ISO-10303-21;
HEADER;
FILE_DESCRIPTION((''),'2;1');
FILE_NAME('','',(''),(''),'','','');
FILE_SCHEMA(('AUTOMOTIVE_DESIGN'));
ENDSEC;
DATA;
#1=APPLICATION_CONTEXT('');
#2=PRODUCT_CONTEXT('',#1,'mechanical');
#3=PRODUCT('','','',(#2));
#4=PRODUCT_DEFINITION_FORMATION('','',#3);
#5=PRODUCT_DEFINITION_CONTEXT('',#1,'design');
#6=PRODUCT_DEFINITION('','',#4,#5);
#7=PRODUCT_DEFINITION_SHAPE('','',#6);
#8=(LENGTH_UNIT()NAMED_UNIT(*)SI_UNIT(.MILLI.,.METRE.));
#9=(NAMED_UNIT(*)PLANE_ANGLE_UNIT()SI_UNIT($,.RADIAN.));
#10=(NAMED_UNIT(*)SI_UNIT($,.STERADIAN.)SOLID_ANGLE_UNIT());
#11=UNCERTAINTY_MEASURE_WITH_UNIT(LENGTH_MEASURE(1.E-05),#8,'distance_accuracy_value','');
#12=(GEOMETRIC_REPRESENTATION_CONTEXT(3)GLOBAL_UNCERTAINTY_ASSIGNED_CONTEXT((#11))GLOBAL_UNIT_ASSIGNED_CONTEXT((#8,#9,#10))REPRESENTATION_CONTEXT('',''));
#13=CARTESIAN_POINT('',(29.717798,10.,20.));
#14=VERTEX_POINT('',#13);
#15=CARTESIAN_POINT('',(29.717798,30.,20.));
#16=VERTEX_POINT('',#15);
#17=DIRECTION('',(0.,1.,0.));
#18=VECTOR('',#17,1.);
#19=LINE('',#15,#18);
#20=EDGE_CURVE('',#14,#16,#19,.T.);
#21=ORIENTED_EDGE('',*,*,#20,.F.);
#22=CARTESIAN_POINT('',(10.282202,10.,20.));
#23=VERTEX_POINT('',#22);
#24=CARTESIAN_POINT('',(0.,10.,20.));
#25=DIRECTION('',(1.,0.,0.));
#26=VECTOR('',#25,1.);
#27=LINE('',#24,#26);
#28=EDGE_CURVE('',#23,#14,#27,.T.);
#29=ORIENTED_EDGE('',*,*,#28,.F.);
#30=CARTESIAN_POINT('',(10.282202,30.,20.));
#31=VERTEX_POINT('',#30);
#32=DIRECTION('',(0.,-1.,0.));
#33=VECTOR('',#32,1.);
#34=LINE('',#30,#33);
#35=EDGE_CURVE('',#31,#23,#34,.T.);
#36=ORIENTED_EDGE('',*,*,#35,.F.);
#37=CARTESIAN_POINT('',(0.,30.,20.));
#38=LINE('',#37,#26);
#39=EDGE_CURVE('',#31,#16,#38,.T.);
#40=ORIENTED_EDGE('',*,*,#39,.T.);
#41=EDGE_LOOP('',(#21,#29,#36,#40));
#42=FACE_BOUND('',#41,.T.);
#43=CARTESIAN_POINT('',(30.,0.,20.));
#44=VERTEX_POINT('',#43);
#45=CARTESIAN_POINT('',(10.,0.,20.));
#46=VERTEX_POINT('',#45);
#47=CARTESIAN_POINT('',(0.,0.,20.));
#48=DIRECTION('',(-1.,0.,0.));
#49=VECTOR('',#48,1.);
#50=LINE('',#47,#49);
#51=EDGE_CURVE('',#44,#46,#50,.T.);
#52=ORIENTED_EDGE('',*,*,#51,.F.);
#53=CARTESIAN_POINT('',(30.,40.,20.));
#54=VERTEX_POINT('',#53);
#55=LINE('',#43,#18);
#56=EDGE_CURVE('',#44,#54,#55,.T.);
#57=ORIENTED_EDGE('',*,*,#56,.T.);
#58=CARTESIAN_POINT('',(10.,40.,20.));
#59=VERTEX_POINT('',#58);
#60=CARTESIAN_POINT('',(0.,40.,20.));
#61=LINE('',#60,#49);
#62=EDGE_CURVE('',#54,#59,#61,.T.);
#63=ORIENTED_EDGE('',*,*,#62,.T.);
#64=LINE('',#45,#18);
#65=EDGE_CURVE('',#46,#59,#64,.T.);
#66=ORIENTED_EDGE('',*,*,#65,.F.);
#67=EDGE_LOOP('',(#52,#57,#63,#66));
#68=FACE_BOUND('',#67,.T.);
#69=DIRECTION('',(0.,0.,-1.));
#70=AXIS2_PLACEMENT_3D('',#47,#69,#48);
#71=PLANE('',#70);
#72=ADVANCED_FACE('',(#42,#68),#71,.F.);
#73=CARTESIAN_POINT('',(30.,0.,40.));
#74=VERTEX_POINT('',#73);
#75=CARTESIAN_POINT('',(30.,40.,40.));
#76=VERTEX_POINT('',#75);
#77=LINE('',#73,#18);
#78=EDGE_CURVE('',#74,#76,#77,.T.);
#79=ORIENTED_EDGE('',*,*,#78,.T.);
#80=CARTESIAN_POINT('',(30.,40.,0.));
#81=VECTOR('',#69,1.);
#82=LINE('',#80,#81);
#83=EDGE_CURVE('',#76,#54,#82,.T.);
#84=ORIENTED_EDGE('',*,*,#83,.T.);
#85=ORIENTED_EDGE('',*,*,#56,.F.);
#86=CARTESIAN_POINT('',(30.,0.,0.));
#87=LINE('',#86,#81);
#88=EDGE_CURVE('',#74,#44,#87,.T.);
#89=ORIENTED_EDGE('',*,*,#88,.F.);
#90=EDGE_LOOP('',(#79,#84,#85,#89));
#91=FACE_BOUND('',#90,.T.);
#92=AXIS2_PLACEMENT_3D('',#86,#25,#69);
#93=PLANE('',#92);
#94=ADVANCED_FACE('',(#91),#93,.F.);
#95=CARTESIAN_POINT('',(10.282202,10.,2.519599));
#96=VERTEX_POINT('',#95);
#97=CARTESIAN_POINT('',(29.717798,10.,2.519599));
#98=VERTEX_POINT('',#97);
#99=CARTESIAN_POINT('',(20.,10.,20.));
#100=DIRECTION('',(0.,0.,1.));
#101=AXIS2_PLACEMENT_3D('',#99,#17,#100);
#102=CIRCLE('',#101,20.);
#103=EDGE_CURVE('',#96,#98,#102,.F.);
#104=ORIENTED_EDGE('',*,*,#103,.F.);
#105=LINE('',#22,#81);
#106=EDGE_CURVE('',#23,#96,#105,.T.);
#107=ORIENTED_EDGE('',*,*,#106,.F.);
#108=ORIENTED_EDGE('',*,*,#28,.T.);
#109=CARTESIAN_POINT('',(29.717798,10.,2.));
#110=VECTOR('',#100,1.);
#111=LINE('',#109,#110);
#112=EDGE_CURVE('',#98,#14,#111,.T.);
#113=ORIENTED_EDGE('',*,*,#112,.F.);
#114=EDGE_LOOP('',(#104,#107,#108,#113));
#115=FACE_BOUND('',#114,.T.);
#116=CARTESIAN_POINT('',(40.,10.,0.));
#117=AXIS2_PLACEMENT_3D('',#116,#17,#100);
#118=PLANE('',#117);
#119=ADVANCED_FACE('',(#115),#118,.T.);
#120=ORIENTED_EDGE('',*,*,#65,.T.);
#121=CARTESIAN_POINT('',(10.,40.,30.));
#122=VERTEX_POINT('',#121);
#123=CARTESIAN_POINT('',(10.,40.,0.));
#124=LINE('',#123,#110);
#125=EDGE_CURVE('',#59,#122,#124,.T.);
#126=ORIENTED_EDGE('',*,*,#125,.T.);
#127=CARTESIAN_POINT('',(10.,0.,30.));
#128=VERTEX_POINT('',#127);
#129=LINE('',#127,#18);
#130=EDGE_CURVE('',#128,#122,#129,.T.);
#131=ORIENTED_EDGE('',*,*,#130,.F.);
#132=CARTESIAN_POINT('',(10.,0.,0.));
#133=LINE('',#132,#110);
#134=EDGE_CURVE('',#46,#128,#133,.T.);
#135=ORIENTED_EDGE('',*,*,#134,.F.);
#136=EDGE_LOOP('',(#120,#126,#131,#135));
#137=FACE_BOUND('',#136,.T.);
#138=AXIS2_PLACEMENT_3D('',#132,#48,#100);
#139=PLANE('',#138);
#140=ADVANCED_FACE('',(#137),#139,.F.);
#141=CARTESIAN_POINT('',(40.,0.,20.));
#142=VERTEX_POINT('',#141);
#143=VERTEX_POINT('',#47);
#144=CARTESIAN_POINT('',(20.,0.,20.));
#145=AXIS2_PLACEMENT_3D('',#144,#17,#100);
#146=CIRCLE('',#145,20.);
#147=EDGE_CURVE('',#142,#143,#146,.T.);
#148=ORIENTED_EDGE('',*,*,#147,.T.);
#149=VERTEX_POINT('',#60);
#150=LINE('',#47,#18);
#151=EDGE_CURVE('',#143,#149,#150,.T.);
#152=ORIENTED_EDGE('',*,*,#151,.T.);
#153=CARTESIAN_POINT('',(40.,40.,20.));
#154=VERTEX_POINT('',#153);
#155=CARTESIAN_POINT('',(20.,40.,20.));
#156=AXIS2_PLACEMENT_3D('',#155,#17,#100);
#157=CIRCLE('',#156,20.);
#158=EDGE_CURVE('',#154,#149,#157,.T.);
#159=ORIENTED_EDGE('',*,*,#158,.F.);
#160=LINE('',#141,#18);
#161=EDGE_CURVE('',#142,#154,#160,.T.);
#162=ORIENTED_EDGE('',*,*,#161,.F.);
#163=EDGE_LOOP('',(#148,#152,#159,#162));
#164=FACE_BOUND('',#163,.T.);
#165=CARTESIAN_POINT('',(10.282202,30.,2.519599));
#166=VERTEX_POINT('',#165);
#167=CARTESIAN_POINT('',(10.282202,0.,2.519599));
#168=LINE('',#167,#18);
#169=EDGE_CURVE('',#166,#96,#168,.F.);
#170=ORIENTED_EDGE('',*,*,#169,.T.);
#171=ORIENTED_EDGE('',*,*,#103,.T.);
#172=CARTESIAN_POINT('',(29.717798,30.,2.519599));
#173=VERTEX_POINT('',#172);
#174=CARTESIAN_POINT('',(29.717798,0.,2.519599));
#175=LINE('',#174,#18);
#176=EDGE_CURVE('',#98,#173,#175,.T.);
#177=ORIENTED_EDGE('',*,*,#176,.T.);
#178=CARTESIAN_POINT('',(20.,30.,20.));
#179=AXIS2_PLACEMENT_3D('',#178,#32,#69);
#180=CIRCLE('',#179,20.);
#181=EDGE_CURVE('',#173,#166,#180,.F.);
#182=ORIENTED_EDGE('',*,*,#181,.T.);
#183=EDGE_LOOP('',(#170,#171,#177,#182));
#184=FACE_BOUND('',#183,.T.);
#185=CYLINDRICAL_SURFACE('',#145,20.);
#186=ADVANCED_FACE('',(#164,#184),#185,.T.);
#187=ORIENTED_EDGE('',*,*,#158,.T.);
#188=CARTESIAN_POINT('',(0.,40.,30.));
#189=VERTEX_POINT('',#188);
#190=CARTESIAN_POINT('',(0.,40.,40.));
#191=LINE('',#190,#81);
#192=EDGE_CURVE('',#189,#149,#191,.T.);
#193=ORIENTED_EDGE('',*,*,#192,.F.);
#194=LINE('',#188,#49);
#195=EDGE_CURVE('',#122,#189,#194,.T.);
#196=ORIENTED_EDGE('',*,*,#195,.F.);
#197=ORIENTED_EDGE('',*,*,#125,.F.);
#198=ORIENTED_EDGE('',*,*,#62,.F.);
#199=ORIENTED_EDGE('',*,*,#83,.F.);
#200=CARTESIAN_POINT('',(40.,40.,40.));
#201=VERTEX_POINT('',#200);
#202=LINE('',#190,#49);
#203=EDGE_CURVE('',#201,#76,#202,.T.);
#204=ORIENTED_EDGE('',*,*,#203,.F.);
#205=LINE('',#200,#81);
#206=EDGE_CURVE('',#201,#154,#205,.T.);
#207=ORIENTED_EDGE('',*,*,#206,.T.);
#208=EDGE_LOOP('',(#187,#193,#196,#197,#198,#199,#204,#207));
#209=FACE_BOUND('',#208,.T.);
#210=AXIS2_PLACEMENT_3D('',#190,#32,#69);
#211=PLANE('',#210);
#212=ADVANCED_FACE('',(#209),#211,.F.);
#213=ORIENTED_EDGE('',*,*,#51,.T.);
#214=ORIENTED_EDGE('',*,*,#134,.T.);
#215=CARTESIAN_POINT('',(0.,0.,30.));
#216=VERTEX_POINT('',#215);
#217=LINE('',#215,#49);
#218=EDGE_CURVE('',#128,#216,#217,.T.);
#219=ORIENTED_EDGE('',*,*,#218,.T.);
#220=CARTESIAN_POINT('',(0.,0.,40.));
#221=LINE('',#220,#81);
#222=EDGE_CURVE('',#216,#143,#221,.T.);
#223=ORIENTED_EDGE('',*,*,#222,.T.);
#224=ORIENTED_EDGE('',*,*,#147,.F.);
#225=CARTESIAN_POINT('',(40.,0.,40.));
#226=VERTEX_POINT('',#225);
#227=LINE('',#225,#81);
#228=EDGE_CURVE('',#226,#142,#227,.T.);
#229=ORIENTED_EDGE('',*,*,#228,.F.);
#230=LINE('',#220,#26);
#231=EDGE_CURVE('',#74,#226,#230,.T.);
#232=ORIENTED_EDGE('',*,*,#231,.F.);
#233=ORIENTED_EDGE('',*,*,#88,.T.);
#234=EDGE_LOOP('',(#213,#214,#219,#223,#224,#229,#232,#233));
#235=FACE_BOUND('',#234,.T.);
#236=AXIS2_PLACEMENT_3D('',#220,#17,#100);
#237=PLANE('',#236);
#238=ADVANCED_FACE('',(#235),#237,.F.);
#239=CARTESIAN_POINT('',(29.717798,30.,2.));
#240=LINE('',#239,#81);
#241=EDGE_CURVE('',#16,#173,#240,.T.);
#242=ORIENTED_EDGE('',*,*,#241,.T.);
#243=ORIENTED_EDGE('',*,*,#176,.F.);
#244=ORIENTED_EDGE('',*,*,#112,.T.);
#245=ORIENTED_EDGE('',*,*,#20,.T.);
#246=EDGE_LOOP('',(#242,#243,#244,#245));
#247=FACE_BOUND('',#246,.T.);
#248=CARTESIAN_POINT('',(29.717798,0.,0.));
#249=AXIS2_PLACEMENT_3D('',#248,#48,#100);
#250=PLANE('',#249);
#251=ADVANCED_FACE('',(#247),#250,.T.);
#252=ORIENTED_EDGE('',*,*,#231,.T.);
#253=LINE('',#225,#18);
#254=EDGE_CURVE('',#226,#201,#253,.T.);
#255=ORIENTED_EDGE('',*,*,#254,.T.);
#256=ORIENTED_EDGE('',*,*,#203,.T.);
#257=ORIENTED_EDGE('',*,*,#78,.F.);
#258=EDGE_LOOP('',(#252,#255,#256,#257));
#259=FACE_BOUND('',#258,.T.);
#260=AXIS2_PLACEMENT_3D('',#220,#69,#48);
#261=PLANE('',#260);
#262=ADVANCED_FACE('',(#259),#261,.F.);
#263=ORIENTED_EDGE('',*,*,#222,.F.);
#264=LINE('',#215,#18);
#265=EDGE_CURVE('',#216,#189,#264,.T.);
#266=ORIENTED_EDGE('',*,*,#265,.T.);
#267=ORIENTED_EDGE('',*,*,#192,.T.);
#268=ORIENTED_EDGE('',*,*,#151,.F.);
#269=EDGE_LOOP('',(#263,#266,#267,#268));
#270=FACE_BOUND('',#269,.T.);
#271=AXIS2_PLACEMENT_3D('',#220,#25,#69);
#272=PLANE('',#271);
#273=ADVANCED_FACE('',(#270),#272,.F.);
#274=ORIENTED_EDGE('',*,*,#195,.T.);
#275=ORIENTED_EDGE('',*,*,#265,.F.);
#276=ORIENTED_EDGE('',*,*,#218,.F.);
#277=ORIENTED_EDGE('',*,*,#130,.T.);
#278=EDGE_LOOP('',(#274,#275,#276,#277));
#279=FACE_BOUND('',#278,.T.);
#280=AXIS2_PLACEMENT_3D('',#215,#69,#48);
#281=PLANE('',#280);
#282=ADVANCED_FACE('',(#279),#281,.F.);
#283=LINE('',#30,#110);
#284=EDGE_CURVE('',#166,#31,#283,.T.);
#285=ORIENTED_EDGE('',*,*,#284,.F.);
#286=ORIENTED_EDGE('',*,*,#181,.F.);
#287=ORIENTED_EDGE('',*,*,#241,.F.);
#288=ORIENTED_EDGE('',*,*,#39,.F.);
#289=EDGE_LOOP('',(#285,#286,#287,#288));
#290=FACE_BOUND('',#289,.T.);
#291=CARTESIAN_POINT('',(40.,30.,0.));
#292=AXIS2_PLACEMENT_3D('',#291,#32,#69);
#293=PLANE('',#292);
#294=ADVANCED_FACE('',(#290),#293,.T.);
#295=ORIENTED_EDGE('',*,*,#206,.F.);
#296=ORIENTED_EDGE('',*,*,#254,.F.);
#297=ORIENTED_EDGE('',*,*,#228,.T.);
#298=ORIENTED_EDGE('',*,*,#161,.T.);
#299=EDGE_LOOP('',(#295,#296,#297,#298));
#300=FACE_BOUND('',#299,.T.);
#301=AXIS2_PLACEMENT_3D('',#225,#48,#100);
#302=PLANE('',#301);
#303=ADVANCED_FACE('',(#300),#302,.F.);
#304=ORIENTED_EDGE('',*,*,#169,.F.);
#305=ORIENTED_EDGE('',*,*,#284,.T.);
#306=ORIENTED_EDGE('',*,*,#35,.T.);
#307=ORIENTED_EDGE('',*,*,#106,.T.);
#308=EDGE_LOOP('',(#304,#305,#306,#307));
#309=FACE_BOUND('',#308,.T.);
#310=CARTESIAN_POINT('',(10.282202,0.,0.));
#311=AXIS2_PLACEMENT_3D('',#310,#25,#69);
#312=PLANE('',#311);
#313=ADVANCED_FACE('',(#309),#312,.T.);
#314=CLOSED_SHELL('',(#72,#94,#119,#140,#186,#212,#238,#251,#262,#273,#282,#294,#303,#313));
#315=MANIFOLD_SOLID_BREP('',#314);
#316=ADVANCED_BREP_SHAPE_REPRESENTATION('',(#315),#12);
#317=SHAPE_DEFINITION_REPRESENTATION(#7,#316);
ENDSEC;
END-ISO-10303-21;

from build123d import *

# Parameters (mm, degrees)
SKETCH1_W           = 40
SKETCH1_H           = 40
BOSS_EXTRUDE1_DEPTH = 40
CUT_EXTRUDE1_DEPTH  = 40
SKETCH3_W           = 2
SKETCH3_H           = 20
CUT_EXTRUDE2_DEPTH  = 40
CUT_EXTRUDE4_DEPTH  = 20
SKETCH9_W           = 18
SKETCH9_H           = 20
CUT_EXTRUDE7_DEPTH  = 1
SKETCH10_W          = 18
SKETCH10_H          = 20
CUT_EXTRUDE8_DEPTH  = 1


with BuildPart() as part:
    # Sketch1 → Boss-Extrude1 (new body)
    with BuildSketch(Plane.XY):
        with Locations((20, 20)):
            Rectangle(SKETCH1_W, SKETCH1_H)
    extrude(amount=BOSS_EXTRUDE1_DEPTH)

    # Sketch2 → Cut-Extrude1 (cut)
    with BuildSketch(Plane(origin=(0, 40, 0), x_dir=(1, 0, 0), z_dir=(0, 1, 0))):
        Polygon((10, -30), (0, -30), (0, -40), (30, -40), (30, -20), (10, -20), align=None)
        with BuildLine():
            Line((40, 0), (20, 0))
            ThreePointArc((20, 0), (34.142135624, -5.857864376), (40, -20))
            Line((40, -20), (40, 0))
        make_face()
        with BuildLine():
            Line((0, 0), (0, -20))
            ThreePointArc((0, -20), (5.857864376, -5.857864376), (20, 0))
            Line((20, 0), (0, 0))
        make_face()
    extrude(amount=-CUT_EXTRUDE1_DEPTH, mode=Mode.SUBTRACT)

    # Sketch3 → Cut-Extrude2 (cut)
    with BuildSketch(Plane(origin=(0, 0, 0), x_dir=(0, 0, -1), z_dir=(1, 0, 0))):
        with Locations((-1, 20)):
            Rectangle(SKETCH3_W, SKETCH3_H)
    extrude(amount=CUT_EXTRUDE2_DEPTH, mode=Mode.SUBTRACT)

    # Sketch5 → Cut-Extrude4 (cut)
    with BuildSketch(Plane(origin=(0, 30, 0), x_dir=(1, 0, 0), z_dir=(0, 1, 0))):
        with BuildLine():
            Line((28.717797887, -2), (28.717797887, -20))
            Line((28.717797887, -20), (11.282202113, -20))
            Line((11.282202113, -20), (11.282202113, -2))
            ThreePointArc((11.282202113, -2), (20, 0), (28.717797887, -2))
        make_face()
    extrude(amount=-CUT_EXTRUDE4_DEPTH, mode=Mode.SUBTRACT)

    # Sketch9 → Cut-Extrude7 (cut)
    with BuildSketch(Plane.ZY.offset(-28.717797887)):
        with Locations((11, 20)):
            Rectangle(SKETCH9_W, SKETCH9_H)
    extrude(amount=-CUT_EXTRUDE7_DEPTH, mode=Mode.SUBTRACT)

    # Sketch10 → Cut-Extrude8 (cut)
    with BuildSketch(Plane(origin=(11.282202113, 0, 0), x_dir=(0, 0, -1), z_dir=(1, 0, 0))):
        with Locations((-11, 20)):
            Rectangle(SKETCH10_W, SKETCH10_H)
    extrude(amount=-CUT_EXTRUDE8_DEPTH, mode=Mode.SUBTRACT)


solid = part.part
